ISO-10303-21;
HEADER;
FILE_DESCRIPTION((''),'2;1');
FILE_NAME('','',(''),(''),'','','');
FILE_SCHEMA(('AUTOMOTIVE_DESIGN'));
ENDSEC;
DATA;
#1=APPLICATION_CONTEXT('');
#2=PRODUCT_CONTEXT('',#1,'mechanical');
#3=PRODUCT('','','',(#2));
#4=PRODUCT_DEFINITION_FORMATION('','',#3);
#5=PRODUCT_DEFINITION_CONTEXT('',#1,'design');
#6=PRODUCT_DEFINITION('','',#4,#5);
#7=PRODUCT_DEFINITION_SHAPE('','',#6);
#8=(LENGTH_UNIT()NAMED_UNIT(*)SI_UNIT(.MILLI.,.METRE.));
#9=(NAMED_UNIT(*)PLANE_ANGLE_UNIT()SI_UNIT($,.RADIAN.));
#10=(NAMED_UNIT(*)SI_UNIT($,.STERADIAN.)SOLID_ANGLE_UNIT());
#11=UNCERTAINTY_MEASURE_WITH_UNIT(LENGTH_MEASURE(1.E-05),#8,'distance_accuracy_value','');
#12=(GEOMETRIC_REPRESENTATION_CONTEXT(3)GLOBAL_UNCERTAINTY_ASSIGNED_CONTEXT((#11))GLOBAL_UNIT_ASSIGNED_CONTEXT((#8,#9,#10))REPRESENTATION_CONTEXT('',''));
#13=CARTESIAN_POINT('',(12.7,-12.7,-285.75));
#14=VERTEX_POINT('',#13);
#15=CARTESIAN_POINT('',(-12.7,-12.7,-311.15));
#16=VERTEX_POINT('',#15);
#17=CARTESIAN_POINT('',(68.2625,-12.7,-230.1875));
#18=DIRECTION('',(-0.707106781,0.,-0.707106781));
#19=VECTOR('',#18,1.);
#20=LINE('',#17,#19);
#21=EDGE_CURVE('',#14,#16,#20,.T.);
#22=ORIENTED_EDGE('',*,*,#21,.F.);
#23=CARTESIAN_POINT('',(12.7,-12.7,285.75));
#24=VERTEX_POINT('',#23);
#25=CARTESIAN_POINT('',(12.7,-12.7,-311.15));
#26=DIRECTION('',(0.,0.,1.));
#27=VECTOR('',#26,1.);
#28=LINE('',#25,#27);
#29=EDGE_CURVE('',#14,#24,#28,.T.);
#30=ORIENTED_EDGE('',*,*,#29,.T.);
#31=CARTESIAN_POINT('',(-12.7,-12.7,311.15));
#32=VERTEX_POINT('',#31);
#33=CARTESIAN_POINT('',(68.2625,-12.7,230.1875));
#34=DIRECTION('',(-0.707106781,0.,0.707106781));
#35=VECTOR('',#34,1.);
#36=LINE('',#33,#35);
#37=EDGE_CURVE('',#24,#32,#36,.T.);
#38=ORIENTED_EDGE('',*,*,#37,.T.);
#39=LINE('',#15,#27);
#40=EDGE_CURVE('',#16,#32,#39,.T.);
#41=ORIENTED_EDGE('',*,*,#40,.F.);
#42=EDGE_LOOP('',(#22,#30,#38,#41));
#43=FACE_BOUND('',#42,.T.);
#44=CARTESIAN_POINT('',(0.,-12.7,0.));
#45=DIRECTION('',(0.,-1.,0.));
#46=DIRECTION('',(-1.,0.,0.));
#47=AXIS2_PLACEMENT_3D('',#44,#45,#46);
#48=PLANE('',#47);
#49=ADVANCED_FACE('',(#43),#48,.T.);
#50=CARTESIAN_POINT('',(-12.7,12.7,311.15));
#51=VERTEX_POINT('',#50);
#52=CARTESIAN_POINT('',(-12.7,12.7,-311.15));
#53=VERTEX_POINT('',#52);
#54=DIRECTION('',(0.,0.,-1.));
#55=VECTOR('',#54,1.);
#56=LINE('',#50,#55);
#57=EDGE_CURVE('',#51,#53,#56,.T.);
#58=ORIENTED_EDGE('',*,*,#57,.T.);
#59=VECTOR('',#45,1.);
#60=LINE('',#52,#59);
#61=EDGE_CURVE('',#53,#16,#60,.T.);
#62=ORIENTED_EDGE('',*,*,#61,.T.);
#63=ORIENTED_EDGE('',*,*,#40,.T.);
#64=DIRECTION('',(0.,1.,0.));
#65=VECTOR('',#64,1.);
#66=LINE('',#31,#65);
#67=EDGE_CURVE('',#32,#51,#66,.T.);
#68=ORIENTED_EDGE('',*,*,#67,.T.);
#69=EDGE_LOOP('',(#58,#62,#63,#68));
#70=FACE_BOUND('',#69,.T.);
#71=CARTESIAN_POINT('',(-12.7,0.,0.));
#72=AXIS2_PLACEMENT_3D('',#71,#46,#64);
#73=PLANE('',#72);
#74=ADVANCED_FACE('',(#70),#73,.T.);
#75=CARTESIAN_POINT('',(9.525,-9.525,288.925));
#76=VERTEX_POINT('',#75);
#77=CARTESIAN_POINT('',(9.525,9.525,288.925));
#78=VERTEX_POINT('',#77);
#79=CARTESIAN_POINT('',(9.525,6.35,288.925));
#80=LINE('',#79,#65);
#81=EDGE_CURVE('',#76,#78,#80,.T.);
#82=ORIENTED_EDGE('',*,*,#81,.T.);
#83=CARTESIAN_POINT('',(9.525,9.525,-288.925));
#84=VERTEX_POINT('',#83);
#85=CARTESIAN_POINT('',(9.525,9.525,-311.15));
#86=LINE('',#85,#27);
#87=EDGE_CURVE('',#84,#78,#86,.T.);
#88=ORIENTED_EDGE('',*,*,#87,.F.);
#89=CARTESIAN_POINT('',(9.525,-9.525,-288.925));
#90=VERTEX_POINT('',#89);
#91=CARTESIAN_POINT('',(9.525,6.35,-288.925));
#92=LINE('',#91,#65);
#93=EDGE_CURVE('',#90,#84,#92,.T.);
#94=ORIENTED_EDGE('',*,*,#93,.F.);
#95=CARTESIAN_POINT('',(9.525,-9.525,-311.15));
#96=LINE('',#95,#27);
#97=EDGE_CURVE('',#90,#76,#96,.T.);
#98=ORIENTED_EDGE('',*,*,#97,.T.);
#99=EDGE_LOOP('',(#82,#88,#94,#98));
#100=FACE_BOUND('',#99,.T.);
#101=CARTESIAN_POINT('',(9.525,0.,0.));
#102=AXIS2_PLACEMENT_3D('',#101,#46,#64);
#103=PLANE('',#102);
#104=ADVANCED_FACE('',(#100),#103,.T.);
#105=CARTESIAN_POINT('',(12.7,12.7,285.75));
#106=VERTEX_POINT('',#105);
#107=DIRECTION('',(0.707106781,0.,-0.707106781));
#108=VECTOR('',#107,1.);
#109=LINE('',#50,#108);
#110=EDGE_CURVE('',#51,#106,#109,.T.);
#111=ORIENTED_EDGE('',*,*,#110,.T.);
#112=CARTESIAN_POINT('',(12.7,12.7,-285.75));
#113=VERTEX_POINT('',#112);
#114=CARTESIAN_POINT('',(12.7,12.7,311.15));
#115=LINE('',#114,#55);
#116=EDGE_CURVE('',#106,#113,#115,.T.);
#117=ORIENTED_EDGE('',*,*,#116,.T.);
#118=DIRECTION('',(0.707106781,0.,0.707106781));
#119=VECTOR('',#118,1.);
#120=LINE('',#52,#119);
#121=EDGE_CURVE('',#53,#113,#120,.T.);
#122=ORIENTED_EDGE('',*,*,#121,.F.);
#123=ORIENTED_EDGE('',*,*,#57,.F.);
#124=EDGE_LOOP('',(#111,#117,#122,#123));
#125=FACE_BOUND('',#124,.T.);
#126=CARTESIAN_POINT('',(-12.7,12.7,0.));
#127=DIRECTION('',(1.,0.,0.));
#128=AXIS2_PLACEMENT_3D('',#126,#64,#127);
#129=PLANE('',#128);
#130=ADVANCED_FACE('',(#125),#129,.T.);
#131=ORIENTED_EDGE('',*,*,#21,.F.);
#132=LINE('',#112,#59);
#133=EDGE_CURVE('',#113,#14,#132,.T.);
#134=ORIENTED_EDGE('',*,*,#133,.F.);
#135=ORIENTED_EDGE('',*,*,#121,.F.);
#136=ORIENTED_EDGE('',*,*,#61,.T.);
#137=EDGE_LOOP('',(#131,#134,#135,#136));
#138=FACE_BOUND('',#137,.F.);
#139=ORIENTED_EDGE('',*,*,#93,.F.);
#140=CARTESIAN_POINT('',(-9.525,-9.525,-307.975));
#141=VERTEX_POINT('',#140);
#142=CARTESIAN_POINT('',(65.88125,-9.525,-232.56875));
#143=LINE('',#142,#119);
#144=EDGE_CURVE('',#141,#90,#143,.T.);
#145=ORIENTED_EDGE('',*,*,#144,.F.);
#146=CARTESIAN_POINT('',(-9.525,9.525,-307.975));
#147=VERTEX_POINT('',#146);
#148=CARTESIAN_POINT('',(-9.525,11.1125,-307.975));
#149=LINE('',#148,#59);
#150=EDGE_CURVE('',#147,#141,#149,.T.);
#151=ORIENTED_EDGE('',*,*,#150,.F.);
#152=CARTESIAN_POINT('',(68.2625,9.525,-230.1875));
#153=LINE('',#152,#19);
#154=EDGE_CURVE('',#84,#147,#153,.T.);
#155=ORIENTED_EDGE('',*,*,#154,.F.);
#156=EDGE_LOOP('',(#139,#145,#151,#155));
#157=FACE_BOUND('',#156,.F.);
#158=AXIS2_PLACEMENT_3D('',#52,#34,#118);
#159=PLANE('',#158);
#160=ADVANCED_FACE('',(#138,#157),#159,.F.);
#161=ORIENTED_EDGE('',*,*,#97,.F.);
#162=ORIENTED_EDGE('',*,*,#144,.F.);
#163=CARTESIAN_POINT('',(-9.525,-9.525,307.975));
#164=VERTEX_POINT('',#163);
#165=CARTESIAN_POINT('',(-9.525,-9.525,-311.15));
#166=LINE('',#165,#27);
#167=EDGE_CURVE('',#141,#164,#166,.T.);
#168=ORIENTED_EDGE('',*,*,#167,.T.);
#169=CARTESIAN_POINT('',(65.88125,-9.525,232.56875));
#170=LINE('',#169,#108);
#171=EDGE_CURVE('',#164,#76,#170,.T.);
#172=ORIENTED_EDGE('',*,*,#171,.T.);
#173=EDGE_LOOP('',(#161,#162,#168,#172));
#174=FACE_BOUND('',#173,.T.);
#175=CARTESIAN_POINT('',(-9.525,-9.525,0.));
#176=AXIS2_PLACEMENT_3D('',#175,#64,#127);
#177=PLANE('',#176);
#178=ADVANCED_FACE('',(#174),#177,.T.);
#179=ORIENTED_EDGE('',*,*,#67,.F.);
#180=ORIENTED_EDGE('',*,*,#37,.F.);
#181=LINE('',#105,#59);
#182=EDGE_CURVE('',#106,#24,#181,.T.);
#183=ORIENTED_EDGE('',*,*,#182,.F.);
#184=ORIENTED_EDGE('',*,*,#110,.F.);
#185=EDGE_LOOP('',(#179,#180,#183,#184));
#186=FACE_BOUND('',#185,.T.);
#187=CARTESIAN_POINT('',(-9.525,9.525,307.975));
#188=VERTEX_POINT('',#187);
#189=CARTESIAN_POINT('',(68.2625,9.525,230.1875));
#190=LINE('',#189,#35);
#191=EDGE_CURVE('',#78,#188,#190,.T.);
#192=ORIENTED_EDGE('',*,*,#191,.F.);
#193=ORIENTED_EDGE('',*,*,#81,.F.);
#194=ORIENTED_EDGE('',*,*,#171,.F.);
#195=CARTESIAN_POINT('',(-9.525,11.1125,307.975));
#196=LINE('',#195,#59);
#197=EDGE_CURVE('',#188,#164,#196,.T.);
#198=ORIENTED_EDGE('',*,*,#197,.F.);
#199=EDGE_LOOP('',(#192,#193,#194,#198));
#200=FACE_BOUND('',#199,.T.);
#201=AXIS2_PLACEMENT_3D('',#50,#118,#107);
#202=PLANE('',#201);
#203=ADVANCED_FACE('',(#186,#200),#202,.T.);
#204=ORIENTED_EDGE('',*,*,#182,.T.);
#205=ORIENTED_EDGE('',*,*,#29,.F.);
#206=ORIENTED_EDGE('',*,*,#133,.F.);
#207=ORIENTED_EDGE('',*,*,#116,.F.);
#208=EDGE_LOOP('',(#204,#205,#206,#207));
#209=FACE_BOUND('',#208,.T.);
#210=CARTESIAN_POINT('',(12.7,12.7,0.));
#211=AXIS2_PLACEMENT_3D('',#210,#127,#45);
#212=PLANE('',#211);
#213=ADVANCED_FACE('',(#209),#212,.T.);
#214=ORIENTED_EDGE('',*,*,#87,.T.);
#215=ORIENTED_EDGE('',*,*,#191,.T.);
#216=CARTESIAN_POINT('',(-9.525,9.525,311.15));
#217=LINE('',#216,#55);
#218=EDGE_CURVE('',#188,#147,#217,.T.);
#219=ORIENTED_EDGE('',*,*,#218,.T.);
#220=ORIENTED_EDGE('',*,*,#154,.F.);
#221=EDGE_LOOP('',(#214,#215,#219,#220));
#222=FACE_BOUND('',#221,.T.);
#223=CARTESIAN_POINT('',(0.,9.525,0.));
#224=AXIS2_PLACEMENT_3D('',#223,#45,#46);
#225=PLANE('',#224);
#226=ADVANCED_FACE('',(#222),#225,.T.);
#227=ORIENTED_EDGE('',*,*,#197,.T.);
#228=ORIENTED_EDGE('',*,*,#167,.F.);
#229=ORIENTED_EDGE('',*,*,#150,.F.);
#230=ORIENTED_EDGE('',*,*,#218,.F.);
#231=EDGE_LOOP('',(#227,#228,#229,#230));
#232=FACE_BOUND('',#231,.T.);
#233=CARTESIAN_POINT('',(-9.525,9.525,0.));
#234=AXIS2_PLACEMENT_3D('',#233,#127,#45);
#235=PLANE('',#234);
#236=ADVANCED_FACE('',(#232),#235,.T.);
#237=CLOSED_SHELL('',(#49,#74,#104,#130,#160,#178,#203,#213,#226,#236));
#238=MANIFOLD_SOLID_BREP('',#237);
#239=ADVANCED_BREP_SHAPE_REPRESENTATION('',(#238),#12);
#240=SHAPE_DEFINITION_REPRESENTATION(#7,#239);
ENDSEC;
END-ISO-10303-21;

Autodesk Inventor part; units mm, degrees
ref_plane "YZ Plane" through (0, 0, 0) normal (1, 0, 0) x (0, 1, 0)
ref_plane "XZ Plane" through (0, 0, 0) normal (0, 1, 0) x (-1, 0, 0)
ref_plane "XY Plane" through (0, 0, 0) normal (0, 0, 1) x (1, 0, 0)
sketch "Sketch1" plane through (0, 0, 0) normal (0, 0, 1) x (1, 0, 0)
  line L0 (-17.78, 0) -> (17.78, 0) projected
  line L1 (0, -17.78) -> (0, 17.78) projected
  line L2 (-12.7, 12.7) -> (12.7, 12.7)
  line L3 (12.7, 12.7) -> (12.7, -12.7)
  line L4 (12.7, -12.7) -> (-12.7, -12.7)
  line L5 (-12.7, -12.7) -> (-12.7, 12.7)
  line L6 (9.525, 9.525) -> (-9.525, 9.525)
  line L7 (-9.525, 9.525) -> (-9.525, -9.525)
  line L8 (-9.525, -9.525) -> (9.525, -9.525)
  line L9 (9.525, -9.525) -> (9.525, 9.525)
  point P0 (0, 0)
  point P1 (-12.7, 0)
  point P2 (0, 12.7)
  dimension "d0" = 25.4
  dimension "d1" = 3.175
extrude "Extrusion1" add sketch "Sketch1" along normal mid plane 622.3 contours L5 L2 L1 L6 L7 L0 | L0 L7 L8 L1 L4 L5 | L1 L8 L9 L0 L3 L4 | L2 L3 L0 L9 L6 L1
sketch "Sketch3" plane through (-12.7, 12.7, 311.15) normal (0, 1, 0) x (1, 0, 0)
  line L0 (0, 0) -> (25.4, 0) projected
  line L1 (25.4, 0) -> (25.4, 622.3) projected
  line L2 (0, 622.3) -> (0, 0) projected
  line L3 (0, 311.15) -> (25.4, 311.15) construction
  line L4 (0, 0) -> (25.4, 25.4)
  line L5 (25.4, 0) -> (25.4, 25.4)
  line L6 (0, 0) -> (25.4, 0)
  line L7 (0, 622.3) -> (25.4, 596.9)
  line L8 (25.4, 622.3) -> (25.4, 596.9)
  line L9 (0, 622.3) -> (25.4, 622.3)
  point P0 (12.7, 311.15)
  dimension "d7" = 45
extrude "Extrusion3" cut sketch "Sketch3" against normal through all contours L4 L1 L0 | L9 L1 L7
properties part number "tubing_template_0.125" material "Aluminum-6061"
